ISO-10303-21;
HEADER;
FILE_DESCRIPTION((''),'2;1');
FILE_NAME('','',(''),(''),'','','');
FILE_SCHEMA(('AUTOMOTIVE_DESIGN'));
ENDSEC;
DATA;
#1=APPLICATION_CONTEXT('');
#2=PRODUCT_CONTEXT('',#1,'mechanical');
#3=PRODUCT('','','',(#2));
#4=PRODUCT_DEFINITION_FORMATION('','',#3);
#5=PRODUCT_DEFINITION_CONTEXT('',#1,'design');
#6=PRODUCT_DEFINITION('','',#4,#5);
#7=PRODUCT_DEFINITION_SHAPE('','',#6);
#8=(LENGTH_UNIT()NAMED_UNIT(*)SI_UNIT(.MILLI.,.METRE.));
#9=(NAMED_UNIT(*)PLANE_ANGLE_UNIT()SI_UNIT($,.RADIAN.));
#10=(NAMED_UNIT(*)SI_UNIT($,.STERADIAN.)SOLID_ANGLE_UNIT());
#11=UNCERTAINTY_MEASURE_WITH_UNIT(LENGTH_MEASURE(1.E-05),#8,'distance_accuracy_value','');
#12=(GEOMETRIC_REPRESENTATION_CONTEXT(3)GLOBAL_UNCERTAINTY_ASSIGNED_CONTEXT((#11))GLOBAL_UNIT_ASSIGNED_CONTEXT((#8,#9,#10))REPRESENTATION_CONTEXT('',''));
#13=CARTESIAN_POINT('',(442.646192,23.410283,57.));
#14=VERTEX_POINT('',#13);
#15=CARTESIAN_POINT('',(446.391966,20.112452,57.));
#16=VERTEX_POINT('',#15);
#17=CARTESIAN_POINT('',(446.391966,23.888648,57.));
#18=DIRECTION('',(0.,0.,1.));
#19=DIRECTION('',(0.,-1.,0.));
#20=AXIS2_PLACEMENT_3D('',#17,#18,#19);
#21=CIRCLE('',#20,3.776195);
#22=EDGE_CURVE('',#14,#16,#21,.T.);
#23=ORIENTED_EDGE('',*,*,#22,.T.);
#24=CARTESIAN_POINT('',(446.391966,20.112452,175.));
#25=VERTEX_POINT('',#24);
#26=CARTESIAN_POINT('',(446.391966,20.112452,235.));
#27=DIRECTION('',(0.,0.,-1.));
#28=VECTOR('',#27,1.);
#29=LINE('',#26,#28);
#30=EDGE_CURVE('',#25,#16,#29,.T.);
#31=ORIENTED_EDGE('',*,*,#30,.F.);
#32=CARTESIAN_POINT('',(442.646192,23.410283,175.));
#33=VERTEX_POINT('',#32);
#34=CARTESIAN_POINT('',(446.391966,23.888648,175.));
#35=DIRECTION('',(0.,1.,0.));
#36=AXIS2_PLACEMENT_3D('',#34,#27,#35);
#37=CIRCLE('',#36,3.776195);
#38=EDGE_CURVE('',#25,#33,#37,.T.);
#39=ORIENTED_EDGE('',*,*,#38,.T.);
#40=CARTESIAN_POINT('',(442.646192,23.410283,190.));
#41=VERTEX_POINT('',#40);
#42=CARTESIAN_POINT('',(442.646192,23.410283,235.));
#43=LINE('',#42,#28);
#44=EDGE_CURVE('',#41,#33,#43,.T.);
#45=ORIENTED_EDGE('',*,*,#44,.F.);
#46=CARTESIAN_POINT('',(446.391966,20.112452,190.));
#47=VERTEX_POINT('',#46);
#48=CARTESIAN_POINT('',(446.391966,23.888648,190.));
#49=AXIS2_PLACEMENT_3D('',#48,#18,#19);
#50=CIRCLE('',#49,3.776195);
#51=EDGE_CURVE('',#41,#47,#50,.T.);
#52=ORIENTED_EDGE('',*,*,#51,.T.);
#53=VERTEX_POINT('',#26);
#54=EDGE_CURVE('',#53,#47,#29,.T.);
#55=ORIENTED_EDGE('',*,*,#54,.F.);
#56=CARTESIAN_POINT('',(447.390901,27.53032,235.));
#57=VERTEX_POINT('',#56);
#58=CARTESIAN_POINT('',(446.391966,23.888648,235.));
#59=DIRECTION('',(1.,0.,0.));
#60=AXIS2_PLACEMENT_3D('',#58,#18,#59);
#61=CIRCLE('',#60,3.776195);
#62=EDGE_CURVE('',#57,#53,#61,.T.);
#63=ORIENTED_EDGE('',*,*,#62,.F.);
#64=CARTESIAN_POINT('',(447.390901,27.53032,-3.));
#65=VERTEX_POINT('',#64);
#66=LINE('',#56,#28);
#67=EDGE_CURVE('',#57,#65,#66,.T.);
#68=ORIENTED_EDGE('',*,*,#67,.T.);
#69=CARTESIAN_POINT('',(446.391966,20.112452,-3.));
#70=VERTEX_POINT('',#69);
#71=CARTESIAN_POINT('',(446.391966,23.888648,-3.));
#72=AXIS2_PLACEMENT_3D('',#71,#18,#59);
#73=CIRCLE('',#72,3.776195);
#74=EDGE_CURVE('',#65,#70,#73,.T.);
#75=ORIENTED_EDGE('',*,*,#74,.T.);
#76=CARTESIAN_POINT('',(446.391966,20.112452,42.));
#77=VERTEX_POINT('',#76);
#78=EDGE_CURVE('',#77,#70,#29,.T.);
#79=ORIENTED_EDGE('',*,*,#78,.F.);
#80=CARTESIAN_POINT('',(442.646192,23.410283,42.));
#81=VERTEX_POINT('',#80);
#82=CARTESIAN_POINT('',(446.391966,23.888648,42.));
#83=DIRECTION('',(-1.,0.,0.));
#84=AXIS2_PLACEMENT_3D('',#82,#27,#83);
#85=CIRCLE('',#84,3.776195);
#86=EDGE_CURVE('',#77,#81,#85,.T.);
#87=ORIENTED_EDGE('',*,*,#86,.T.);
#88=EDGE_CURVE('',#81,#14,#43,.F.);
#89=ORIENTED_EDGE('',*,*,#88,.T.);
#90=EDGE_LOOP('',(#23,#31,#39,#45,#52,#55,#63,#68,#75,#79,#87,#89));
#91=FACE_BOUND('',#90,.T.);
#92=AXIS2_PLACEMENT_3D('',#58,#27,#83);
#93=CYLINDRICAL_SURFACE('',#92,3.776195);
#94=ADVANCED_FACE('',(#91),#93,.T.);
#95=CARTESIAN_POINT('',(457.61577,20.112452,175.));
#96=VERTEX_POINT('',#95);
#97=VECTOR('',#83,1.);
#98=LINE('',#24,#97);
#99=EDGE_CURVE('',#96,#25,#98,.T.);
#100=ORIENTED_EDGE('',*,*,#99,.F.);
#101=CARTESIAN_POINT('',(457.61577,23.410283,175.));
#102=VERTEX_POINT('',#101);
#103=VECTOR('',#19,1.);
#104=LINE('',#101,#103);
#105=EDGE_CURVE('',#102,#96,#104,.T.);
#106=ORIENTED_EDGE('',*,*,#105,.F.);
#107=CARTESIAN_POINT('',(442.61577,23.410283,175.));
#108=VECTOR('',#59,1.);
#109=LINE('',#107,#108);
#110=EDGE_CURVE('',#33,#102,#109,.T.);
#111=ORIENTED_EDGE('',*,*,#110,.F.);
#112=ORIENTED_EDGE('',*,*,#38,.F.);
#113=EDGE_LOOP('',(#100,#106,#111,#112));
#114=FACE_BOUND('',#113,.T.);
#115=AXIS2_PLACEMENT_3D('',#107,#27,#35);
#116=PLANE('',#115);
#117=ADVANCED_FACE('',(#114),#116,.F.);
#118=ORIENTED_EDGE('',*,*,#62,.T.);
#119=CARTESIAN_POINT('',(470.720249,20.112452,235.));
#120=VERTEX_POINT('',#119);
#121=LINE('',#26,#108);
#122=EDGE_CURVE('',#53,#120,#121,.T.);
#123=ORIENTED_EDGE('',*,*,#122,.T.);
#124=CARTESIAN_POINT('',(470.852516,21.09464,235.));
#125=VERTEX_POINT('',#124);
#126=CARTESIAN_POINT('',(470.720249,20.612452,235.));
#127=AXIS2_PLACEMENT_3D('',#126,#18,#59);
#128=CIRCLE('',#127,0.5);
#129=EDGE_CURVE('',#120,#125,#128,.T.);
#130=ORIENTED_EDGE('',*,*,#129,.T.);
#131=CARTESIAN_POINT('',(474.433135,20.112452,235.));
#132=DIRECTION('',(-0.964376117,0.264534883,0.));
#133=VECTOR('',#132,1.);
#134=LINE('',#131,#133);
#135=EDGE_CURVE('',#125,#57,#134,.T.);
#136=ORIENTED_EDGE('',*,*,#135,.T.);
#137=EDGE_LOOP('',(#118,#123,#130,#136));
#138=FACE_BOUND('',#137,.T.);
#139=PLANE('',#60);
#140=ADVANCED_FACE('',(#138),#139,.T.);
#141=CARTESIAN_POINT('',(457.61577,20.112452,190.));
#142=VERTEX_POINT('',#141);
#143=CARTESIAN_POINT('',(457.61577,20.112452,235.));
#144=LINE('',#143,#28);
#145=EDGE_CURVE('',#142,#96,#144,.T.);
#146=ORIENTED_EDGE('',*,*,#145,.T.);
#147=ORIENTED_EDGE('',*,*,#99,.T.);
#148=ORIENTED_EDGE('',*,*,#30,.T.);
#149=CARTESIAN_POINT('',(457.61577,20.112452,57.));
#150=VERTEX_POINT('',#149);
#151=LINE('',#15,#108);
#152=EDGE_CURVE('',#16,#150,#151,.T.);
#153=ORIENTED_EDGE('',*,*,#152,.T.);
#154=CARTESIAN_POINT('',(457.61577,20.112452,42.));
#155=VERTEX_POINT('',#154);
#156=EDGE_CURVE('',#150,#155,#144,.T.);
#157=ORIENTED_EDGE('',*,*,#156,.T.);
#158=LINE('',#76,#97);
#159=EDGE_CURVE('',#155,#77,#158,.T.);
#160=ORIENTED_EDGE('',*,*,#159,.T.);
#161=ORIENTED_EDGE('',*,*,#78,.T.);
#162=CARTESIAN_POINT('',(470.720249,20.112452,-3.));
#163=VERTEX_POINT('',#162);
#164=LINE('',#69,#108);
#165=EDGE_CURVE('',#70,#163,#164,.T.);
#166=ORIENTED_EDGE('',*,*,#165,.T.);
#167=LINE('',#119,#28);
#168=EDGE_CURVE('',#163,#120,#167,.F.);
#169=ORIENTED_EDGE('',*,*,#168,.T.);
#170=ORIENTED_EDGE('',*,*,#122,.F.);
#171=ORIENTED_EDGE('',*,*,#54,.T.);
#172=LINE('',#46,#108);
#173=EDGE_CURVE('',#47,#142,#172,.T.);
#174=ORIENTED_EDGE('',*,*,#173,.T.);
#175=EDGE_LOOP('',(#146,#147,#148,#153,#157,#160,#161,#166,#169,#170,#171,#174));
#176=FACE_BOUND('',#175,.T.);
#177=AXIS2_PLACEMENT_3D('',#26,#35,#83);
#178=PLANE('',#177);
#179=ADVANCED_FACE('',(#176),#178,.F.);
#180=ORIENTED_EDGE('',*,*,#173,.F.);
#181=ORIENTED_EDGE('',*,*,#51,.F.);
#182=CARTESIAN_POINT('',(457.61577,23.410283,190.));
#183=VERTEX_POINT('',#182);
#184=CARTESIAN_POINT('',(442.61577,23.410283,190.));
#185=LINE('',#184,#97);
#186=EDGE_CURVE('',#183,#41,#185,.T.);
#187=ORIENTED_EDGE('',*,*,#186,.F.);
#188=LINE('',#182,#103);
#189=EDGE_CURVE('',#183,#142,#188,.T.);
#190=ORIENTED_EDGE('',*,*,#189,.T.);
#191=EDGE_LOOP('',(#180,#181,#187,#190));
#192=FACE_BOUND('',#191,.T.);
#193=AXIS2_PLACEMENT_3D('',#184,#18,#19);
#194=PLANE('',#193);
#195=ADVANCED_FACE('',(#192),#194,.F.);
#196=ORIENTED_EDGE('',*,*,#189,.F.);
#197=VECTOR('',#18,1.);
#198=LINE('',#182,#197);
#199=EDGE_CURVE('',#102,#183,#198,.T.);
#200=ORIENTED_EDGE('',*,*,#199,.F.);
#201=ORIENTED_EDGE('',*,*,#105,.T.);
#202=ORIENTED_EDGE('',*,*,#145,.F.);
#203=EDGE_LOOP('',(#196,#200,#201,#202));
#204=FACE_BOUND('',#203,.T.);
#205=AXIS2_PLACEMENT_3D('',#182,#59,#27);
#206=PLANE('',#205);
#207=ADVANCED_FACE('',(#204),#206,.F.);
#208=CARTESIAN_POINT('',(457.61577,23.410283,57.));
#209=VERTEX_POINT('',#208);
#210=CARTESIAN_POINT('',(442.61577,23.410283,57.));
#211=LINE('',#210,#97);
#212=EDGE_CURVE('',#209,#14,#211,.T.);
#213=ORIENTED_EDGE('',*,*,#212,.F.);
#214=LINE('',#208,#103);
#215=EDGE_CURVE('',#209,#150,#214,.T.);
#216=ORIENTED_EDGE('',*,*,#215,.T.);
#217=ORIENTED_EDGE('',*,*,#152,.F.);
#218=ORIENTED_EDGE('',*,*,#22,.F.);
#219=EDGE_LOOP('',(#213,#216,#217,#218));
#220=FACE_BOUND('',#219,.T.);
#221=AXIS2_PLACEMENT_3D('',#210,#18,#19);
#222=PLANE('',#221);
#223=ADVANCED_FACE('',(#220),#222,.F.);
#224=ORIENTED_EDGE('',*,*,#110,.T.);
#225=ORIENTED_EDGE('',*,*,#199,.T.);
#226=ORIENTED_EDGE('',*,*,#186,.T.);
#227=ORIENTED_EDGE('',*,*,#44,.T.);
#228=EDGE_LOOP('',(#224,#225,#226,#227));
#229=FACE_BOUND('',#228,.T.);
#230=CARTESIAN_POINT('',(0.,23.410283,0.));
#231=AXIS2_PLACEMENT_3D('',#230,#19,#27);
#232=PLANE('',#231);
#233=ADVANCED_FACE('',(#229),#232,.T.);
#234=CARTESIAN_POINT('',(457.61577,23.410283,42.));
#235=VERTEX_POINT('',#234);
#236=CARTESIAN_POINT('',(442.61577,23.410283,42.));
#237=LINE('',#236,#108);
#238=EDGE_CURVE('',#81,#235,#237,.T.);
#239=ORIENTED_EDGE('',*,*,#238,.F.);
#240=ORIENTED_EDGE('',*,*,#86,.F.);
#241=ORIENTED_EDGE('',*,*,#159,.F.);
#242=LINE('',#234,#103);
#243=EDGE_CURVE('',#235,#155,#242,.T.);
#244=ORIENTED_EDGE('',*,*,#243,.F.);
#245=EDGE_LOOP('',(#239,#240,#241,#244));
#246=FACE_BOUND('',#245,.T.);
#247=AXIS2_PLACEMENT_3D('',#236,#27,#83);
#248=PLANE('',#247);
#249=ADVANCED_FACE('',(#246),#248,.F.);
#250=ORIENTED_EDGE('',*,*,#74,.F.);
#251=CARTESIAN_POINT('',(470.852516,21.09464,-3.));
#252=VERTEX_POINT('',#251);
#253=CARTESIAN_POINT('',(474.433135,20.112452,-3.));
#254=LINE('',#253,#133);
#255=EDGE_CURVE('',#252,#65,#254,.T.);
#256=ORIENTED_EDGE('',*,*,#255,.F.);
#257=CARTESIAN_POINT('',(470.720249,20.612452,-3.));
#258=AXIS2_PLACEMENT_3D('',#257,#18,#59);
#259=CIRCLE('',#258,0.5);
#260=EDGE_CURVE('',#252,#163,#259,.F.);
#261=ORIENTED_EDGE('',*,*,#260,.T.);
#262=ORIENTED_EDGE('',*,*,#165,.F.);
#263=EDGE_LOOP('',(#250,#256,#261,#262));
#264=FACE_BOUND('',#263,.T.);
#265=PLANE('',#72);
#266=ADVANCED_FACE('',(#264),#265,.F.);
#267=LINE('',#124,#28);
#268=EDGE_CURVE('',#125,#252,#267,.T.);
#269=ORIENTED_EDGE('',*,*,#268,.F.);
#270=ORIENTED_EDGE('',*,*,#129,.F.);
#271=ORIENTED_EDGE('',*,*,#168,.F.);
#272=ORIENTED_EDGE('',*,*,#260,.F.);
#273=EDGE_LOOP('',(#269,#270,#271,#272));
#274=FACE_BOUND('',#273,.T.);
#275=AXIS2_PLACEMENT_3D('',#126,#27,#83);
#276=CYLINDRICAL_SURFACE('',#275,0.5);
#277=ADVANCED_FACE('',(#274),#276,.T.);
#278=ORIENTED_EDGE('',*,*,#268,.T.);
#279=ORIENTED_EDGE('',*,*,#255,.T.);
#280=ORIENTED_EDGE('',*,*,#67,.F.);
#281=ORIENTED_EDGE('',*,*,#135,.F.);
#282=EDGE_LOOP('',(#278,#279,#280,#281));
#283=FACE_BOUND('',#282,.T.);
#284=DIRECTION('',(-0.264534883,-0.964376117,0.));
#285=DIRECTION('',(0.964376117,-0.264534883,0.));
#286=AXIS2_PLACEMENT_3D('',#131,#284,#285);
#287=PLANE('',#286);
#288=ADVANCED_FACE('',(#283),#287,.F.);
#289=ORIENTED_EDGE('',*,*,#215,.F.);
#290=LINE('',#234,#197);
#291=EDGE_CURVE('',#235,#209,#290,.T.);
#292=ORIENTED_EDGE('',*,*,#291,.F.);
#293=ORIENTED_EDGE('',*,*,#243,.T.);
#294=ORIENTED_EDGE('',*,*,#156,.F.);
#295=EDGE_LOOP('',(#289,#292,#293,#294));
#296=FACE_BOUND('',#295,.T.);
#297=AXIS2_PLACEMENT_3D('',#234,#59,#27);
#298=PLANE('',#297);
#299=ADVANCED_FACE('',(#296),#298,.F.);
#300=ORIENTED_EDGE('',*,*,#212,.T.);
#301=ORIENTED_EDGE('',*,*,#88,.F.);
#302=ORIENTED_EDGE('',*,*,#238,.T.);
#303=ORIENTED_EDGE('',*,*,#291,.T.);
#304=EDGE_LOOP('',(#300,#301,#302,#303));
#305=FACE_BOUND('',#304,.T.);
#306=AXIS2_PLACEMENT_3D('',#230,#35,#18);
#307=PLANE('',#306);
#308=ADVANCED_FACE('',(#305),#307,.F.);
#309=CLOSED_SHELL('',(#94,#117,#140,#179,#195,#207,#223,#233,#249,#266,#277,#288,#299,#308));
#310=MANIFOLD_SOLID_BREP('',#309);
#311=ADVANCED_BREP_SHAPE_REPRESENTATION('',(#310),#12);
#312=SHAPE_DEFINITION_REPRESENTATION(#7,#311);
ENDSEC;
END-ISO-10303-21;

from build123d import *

# Parameters (mm, degrees)
BOSS_EXTRUDE1_DEPTH = 238
SKETCH3_W           = 15
SKETCH3_H           = 15
CUT_EXTRUDE1_DEPTH  = 54
FILLET1_R           = 0.5


with BuildPart() as part:
    # Sketch2 → Boss-Extrude1 (new body)
    with BuildSketch(Plane.XY.offset(-3)):
        with BuildLine():
            Line((446.391965645, 20.11245238), (474.43313548, 20.11245238))
            Line((474.43313548, 20.11245238), (447.390900992, 27.530319971))
            ThreePointArc((447.390900992, 27.530319971), (442.649552271, 24.39262378), (446.391965645, 20.11245238))
        make_face()
    extrude(amount=BOSS_EXTRUDE1_DEPTH)

    # Sketch3 → Cut-Extrude1 (cut)
    with BuildSketch(Plane.XZ.offset(30.589717262)):
        with Locations((450.115770482, 182.5)):
            Rectangle(SKETCH3_W, SKETCH3_H)
        with Locations((450.115770482, 49.5)):
            Rectangle(SKETCH3_W, SKETCH3_H)
    extrude(amount=-CUT_EXTRUDE1_DEPTH, mode=Mode.SUBTRACT)

    # Fillet1
    fillet1_edges = [part.edges().sort_by_distance(p)[0] for p in [
        (474.43313548, 20.11245238, 116),
    ]]
    fillet(fillet1_edges, radius=FILLET1_R)


solid = part.part
